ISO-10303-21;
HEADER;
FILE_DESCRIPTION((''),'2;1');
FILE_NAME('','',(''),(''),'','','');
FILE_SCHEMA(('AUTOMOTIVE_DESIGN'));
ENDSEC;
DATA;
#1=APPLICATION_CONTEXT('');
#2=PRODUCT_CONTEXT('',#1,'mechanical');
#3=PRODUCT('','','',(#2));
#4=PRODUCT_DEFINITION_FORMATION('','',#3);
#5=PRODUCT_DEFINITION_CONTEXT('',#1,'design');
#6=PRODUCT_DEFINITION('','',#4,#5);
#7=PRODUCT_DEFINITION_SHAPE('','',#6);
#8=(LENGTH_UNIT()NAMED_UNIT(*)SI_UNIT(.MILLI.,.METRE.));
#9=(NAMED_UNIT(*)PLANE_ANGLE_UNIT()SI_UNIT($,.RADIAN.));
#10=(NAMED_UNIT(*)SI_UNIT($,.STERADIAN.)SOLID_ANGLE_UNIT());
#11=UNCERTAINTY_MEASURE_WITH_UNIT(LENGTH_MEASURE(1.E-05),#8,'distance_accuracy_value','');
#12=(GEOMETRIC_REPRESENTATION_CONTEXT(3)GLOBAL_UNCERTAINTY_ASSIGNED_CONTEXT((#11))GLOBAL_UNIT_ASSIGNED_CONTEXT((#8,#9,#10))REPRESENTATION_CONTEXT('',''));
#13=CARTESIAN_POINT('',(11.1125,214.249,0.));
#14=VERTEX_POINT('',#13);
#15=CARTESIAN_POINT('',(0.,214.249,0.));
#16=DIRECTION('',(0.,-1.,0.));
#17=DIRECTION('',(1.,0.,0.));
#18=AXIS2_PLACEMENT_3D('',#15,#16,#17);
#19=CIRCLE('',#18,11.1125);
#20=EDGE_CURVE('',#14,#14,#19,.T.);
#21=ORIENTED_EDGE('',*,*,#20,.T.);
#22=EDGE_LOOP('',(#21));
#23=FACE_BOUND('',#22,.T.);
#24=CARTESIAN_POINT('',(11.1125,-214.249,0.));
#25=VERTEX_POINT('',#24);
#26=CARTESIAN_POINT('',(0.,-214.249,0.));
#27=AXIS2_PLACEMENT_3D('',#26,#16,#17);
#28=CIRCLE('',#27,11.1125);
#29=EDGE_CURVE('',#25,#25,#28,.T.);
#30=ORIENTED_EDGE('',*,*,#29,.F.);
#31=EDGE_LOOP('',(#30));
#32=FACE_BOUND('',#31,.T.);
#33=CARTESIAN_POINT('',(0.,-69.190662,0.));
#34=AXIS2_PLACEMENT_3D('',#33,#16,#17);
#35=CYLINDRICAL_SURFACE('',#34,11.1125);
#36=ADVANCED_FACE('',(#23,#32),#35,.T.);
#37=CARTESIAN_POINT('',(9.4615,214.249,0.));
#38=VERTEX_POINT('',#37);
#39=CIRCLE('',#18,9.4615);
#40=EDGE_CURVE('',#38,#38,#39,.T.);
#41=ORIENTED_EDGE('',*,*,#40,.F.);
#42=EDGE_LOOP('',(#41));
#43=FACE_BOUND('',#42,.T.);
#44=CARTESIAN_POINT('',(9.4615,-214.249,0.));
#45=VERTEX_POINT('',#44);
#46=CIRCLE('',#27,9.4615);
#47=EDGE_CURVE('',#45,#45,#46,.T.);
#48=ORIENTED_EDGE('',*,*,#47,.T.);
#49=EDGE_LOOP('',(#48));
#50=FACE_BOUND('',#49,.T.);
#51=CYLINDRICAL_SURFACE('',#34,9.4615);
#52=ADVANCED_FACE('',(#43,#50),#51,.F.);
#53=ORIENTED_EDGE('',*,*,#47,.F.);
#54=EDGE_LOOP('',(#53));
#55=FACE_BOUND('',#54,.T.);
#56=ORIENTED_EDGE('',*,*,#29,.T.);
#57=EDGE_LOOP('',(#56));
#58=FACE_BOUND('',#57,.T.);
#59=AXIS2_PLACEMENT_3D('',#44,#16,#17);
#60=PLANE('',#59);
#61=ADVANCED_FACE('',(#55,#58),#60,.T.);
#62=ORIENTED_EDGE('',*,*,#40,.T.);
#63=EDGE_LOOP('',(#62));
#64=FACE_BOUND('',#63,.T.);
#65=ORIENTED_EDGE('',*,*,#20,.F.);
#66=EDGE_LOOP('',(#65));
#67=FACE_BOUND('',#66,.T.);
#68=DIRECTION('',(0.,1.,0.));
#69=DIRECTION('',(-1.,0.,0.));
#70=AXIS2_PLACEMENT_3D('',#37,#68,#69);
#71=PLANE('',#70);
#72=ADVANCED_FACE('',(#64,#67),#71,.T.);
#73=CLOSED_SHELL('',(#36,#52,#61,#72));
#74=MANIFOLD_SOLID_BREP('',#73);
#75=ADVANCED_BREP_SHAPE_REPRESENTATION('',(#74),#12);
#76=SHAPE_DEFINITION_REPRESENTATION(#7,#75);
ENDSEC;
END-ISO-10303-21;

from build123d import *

# Parameters (mm, degrees)
SKETCH1_W = 1.651
SKETCH1_H = 428.498


with BuildPart() as part:
    # Sketch1 → Revolve1 (revolve)
    with BuildSketch(Plane.XY):
        with Locations((10.287, 0)):
            Rectangle(SKETCH1_W, SKETCH1_H)
    revolve(axis=Axis((0, -69.190661529, 0), (0, 1, 0)))


solid = part.part
